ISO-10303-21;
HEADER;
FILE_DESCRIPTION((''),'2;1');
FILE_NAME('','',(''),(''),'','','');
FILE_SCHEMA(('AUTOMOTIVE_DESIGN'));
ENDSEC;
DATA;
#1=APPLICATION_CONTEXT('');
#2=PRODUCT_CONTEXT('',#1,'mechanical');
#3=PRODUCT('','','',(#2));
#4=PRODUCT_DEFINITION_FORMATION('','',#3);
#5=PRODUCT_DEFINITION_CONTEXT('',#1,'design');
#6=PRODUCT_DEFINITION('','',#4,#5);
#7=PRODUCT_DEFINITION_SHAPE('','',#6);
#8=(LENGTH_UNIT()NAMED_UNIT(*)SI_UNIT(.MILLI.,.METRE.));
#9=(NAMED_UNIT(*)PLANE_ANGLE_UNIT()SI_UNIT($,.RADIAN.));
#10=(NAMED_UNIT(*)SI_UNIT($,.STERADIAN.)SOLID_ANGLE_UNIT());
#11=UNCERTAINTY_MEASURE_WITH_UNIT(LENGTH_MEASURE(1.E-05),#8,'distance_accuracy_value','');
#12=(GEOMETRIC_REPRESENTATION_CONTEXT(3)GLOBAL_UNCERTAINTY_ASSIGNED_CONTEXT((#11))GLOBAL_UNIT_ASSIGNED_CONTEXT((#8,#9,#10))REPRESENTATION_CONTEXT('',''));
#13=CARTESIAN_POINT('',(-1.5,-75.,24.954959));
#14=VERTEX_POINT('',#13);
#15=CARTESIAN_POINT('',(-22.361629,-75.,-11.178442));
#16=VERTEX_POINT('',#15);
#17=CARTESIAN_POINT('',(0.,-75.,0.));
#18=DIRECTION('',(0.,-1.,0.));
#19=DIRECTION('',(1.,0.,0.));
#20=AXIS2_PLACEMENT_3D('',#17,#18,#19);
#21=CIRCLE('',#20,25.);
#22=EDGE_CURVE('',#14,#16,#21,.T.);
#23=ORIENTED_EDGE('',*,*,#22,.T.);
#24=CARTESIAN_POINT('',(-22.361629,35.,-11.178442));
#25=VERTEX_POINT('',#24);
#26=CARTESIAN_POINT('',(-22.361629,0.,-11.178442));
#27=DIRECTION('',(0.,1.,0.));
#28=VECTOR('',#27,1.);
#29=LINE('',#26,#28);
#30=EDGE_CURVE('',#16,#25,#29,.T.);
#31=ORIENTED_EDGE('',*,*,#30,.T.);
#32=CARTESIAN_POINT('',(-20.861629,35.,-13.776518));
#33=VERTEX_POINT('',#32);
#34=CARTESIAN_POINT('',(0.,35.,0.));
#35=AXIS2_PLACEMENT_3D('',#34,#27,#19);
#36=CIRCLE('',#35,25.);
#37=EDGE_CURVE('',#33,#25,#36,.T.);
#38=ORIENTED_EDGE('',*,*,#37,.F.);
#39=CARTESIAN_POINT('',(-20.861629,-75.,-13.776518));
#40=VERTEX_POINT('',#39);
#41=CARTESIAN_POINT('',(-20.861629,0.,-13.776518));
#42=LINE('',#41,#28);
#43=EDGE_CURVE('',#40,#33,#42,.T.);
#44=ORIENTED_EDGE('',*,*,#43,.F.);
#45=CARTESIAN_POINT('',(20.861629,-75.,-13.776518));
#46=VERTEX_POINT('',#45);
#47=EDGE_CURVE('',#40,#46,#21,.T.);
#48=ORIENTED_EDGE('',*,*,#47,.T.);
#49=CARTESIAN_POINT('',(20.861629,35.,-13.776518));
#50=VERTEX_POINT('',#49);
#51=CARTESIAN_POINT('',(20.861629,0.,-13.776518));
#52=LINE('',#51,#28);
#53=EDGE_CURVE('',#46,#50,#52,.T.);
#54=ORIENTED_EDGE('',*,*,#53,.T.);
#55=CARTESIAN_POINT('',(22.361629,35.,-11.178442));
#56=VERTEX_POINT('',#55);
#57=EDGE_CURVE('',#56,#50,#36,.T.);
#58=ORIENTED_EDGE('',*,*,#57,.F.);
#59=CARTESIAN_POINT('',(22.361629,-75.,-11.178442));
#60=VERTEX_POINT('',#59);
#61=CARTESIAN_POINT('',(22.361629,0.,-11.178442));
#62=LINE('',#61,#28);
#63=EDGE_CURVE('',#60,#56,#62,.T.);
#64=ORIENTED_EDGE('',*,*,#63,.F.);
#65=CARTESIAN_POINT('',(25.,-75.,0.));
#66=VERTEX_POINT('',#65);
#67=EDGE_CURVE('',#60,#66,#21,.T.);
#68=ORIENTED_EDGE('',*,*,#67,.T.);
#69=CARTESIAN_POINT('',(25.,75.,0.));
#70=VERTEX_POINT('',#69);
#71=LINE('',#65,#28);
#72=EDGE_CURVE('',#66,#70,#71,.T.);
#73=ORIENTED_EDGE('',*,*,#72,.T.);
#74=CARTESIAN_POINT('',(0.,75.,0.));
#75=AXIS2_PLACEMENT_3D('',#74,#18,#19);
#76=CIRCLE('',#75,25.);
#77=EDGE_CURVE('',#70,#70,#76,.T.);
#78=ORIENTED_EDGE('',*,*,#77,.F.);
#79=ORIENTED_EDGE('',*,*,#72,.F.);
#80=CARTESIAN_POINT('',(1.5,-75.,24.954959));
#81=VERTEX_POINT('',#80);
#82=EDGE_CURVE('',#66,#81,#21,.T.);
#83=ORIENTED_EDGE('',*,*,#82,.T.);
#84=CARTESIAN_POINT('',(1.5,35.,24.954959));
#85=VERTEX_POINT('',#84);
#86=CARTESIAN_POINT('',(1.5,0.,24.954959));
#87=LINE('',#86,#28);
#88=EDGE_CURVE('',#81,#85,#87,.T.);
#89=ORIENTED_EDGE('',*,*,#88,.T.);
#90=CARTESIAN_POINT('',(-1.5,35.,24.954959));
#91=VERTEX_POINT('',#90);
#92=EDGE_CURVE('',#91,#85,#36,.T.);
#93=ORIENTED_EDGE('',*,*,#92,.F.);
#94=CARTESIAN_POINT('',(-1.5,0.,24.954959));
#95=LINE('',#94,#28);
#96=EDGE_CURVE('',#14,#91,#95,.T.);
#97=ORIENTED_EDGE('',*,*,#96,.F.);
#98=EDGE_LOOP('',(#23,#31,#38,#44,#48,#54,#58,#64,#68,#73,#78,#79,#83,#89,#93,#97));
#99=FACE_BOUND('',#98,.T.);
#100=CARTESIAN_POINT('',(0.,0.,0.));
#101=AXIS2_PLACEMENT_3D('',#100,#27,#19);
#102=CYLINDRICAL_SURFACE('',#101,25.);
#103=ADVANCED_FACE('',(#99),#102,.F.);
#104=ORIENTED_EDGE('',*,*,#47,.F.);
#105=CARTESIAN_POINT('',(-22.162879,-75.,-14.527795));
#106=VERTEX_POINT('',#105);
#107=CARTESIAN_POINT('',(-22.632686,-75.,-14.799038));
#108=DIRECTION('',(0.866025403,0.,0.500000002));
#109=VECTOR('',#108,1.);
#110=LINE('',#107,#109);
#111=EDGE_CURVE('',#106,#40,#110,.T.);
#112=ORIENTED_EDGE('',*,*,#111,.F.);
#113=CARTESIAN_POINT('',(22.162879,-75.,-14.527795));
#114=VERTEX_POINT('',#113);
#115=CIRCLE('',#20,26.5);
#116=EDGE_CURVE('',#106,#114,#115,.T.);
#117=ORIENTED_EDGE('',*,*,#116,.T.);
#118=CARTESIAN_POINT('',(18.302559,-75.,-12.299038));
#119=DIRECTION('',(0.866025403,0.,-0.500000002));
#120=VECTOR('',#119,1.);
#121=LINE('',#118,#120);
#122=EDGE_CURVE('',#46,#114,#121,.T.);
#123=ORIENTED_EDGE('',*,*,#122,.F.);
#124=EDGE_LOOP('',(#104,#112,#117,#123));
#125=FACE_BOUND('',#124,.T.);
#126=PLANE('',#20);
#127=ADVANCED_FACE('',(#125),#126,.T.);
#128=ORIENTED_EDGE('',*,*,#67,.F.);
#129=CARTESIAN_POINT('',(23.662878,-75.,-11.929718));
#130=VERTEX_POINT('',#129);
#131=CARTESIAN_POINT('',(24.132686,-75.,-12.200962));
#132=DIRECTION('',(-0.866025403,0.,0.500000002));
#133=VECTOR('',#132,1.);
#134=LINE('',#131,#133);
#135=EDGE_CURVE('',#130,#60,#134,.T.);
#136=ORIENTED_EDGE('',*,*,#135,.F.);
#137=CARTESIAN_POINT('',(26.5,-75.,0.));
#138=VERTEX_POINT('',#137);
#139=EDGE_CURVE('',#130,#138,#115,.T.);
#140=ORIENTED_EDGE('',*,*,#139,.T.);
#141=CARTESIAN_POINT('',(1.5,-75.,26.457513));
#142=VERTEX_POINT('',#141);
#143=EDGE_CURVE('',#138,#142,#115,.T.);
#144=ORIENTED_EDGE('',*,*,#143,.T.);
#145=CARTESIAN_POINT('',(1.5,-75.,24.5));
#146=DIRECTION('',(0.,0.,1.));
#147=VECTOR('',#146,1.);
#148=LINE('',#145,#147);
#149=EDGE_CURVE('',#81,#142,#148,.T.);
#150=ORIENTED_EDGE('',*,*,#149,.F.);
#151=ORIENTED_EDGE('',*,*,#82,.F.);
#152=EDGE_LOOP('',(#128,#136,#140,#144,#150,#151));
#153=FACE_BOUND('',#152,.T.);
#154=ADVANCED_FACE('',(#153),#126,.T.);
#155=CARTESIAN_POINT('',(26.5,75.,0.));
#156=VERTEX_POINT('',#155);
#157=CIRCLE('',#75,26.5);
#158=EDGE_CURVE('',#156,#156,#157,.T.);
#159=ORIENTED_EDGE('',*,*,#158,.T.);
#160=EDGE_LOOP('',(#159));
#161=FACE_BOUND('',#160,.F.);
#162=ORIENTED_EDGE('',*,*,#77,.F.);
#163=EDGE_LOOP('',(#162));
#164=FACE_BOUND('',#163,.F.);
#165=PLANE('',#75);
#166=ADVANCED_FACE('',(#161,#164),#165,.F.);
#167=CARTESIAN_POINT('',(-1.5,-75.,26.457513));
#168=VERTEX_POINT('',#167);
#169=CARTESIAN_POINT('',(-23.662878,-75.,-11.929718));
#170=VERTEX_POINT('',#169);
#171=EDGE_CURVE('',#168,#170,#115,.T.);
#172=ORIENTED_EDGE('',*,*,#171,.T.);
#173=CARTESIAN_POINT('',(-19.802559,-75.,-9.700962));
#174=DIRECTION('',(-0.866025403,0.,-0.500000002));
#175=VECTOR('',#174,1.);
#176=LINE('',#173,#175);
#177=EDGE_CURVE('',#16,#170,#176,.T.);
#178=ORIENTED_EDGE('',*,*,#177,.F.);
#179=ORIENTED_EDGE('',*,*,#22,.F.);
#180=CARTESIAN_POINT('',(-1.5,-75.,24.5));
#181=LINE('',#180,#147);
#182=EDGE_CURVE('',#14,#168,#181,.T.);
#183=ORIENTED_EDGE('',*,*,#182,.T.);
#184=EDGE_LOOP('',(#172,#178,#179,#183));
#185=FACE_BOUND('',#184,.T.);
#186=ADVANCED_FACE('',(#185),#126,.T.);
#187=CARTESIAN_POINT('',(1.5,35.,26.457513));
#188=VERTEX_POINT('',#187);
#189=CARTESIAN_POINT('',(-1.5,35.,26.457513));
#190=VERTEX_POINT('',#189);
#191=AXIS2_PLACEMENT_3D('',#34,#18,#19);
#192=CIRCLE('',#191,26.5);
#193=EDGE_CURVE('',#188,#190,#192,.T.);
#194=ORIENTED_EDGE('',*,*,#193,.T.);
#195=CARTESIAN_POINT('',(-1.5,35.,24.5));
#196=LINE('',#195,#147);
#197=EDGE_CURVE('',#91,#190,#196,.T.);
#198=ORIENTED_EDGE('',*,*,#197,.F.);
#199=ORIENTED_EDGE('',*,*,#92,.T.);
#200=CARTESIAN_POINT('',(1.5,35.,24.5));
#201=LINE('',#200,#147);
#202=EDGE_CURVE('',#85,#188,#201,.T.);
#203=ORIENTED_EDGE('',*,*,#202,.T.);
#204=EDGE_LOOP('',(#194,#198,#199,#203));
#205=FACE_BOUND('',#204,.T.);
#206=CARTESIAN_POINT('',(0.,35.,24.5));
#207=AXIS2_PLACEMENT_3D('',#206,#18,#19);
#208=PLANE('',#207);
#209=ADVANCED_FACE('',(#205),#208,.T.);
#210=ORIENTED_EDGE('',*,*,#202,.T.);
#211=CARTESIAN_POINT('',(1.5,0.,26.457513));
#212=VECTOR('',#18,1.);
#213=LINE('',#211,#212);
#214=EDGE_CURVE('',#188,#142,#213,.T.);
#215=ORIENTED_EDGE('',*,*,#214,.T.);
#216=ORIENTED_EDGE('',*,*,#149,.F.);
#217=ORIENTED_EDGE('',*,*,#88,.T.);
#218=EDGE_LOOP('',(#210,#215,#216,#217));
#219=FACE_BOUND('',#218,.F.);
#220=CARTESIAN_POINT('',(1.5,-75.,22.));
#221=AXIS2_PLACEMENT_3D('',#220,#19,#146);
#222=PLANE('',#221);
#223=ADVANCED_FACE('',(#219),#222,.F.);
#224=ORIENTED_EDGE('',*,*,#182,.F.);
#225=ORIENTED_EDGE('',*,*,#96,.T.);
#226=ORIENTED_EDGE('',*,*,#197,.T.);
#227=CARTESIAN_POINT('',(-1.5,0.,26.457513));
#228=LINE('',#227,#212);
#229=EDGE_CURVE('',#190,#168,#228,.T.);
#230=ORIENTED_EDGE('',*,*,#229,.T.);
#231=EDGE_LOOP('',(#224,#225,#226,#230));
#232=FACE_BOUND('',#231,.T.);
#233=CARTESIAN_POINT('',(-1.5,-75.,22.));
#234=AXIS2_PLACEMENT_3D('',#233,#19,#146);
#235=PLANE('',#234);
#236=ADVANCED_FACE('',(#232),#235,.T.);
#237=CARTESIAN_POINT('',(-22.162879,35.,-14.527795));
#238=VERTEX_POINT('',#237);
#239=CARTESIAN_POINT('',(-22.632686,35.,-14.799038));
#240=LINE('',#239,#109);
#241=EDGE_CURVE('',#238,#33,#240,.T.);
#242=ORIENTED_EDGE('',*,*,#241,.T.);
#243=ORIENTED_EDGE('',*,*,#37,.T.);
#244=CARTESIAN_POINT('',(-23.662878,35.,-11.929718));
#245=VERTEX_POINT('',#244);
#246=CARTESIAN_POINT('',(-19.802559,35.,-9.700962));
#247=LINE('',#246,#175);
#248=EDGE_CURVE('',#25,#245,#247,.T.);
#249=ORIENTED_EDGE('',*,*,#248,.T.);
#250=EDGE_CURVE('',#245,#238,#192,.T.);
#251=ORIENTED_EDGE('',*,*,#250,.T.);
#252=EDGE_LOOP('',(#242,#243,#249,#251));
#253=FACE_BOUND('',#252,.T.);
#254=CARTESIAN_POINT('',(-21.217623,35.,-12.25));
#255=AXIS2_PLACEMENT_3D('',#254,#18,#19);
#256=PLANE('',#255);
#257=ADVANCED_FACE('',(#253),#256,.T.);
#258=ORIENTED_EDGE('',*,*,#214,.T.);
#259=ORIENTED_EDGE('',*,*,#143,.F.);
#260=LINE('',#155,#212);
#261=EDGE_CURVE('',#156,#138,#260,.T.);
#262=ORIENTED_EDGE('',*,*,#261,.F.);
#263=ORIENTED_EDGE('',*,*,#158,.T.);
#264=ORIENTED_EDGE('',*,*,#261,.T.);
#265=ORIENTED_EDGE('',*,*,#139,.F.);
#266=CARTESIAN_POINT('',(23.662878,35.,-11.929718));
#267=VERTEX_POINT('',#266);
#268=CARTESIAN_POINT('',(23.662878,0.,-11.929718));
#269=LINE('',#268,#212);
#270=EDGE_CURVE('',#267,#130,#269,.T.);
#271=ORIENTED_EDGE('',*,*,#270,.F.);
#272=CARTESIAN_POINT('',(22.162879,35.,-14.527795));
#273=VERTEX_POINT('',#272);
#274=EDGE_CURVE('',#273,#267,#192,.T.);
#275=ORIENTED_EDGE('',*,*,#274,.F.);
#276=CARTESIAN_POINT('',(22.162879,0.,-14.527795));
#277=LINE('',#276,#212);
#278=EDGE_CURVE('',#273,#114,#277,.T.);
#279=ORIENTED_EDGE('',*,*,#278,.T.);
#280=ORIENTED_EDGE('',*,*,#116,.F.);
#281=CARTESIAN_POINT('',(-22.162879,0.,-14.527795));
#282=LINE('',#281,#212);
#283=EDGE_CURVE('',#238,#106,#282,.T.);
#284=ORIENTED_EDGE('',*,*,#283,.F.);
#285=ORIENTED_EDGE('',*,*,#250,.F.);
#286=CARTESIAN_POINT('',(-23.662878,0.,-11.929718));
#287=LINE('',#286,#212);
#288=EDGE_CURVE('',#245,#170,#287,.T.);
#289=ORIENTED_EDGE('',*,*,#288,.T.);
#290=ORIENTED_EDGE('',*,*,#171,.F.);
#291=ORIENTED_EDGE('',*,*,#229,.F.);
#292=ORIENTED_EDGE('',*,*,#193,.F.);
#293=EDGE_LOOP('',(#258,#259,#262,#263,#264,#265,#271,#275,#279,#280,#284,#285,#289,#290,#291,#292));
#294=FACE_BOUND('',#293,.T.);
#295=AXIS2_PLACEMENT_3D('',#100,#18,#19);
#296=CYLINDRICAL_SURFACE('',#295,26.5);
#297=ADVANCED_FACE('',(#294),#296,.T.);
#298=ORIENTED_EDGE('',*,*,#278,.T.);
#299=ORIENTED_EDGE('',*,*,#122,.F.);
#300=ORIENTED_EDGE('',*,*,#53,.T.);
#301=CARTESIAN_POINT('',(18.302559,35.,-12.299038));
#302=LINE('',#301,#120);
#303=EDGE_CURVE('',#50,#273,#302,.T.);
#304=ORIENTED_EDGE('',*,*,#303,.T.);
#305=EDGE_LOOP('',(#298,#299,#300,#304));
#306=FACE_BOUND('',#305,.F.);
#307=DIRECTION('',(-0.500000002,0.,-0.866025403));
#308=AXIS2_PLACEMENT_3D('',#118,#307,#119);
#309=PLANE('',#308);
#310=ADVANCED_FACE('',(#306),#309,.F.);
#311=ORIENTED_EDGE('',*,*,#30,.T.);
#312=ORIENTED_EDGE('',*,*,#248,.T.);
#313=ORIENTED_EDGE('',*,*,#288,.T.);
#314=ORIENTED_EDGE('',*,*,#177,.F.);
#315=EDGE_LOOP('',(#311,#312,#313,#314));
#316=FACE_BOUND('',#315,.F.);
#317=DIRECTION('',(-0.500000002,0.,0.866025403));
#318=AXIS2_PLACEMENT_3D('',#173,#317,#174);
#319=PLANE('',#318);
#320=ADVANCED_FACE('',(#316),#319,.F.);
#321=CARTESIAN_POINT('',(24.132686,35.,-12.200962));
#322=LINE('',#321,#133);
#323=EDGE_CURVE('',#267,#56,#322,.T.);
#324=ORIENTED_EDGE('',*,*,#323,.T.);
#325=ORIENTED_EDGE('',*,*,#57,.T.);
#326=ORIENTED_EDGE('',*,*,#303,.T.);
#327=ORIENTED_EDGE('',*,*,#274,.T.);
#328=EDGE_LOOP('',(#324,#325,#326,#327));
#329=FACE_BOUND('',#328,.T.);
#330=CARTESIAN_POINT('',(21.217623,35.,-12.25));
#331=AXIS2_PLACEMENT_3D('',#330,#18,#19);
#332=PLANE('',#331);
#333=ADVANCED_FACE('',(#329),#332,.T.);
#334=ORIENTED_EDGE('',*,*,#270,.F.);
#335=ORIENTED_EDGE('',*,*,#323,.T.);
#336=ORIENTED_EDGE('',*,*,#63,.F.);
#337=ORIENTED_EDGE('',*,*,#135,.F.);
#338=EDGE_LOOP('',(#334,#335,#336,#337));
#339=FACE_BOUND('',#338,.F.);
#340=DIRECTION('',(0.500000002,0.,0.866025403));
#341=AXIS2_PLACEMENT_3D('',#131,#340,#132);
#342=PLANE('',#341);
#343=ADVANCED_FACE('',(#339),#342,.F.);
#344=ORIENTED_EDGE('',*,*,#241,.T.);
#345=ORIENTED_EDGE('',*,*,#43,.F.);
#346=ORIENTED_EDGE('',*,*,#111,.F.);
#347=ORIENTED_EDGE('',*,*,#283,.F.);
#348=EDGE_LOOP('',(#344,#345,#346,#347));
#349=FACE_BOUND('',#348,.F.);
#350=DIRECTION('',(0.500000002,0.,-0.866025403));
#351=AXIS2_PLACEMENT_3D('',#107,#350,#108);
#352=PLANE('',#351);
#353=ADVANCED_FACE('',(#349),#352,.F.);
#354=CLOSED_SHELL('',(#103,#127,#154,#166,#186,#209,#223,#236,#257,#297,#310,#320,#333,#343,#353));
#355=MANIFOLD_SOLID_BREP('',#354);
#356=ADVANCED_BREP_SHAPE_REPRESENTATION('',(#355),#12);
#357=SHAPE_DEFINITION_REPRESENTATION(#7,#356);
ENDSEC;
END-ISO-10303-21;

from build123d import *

# Parameters (mm, degrees)
F0_R     = 26.5
F0_R_2   = 25
F1_DEPTH = 75
F3_W     = 3
F3_H     = 5
F4_DEPTH = 110


with BuildPart() as f1:
    # F0 (on Front) → F1 (new body, symmetric)
    with BuildSketch(Plane.XZ):
        Circle(F0_R)
        Circle(F0_R_2, mode=Mode.SUBTRACT)
    extrude(amount=F1_DEPTH, both=True)

    # F3 (on offset) → F4 (cut)
    with BuildSketch(Plane.XZ.offset(75)):
        with Locations((0, 24.5)):
            Rectangle(F3_W, F3_H)
        Polygon((-24.132686, -12.200962), (-22.632686, -14.799038), (-18.302559, -12.299038), (-19.802559, -9.700962), align=None)
        Polygon((22.632686, -14.799038), (24.132686, -12.200962), (19.802559, -9.700962), (18.302559, -12.299038), align=None)
    extrude(amount=-F4_DEPTH, mode=Mode.SUBTRACT)


solid = f1.part
